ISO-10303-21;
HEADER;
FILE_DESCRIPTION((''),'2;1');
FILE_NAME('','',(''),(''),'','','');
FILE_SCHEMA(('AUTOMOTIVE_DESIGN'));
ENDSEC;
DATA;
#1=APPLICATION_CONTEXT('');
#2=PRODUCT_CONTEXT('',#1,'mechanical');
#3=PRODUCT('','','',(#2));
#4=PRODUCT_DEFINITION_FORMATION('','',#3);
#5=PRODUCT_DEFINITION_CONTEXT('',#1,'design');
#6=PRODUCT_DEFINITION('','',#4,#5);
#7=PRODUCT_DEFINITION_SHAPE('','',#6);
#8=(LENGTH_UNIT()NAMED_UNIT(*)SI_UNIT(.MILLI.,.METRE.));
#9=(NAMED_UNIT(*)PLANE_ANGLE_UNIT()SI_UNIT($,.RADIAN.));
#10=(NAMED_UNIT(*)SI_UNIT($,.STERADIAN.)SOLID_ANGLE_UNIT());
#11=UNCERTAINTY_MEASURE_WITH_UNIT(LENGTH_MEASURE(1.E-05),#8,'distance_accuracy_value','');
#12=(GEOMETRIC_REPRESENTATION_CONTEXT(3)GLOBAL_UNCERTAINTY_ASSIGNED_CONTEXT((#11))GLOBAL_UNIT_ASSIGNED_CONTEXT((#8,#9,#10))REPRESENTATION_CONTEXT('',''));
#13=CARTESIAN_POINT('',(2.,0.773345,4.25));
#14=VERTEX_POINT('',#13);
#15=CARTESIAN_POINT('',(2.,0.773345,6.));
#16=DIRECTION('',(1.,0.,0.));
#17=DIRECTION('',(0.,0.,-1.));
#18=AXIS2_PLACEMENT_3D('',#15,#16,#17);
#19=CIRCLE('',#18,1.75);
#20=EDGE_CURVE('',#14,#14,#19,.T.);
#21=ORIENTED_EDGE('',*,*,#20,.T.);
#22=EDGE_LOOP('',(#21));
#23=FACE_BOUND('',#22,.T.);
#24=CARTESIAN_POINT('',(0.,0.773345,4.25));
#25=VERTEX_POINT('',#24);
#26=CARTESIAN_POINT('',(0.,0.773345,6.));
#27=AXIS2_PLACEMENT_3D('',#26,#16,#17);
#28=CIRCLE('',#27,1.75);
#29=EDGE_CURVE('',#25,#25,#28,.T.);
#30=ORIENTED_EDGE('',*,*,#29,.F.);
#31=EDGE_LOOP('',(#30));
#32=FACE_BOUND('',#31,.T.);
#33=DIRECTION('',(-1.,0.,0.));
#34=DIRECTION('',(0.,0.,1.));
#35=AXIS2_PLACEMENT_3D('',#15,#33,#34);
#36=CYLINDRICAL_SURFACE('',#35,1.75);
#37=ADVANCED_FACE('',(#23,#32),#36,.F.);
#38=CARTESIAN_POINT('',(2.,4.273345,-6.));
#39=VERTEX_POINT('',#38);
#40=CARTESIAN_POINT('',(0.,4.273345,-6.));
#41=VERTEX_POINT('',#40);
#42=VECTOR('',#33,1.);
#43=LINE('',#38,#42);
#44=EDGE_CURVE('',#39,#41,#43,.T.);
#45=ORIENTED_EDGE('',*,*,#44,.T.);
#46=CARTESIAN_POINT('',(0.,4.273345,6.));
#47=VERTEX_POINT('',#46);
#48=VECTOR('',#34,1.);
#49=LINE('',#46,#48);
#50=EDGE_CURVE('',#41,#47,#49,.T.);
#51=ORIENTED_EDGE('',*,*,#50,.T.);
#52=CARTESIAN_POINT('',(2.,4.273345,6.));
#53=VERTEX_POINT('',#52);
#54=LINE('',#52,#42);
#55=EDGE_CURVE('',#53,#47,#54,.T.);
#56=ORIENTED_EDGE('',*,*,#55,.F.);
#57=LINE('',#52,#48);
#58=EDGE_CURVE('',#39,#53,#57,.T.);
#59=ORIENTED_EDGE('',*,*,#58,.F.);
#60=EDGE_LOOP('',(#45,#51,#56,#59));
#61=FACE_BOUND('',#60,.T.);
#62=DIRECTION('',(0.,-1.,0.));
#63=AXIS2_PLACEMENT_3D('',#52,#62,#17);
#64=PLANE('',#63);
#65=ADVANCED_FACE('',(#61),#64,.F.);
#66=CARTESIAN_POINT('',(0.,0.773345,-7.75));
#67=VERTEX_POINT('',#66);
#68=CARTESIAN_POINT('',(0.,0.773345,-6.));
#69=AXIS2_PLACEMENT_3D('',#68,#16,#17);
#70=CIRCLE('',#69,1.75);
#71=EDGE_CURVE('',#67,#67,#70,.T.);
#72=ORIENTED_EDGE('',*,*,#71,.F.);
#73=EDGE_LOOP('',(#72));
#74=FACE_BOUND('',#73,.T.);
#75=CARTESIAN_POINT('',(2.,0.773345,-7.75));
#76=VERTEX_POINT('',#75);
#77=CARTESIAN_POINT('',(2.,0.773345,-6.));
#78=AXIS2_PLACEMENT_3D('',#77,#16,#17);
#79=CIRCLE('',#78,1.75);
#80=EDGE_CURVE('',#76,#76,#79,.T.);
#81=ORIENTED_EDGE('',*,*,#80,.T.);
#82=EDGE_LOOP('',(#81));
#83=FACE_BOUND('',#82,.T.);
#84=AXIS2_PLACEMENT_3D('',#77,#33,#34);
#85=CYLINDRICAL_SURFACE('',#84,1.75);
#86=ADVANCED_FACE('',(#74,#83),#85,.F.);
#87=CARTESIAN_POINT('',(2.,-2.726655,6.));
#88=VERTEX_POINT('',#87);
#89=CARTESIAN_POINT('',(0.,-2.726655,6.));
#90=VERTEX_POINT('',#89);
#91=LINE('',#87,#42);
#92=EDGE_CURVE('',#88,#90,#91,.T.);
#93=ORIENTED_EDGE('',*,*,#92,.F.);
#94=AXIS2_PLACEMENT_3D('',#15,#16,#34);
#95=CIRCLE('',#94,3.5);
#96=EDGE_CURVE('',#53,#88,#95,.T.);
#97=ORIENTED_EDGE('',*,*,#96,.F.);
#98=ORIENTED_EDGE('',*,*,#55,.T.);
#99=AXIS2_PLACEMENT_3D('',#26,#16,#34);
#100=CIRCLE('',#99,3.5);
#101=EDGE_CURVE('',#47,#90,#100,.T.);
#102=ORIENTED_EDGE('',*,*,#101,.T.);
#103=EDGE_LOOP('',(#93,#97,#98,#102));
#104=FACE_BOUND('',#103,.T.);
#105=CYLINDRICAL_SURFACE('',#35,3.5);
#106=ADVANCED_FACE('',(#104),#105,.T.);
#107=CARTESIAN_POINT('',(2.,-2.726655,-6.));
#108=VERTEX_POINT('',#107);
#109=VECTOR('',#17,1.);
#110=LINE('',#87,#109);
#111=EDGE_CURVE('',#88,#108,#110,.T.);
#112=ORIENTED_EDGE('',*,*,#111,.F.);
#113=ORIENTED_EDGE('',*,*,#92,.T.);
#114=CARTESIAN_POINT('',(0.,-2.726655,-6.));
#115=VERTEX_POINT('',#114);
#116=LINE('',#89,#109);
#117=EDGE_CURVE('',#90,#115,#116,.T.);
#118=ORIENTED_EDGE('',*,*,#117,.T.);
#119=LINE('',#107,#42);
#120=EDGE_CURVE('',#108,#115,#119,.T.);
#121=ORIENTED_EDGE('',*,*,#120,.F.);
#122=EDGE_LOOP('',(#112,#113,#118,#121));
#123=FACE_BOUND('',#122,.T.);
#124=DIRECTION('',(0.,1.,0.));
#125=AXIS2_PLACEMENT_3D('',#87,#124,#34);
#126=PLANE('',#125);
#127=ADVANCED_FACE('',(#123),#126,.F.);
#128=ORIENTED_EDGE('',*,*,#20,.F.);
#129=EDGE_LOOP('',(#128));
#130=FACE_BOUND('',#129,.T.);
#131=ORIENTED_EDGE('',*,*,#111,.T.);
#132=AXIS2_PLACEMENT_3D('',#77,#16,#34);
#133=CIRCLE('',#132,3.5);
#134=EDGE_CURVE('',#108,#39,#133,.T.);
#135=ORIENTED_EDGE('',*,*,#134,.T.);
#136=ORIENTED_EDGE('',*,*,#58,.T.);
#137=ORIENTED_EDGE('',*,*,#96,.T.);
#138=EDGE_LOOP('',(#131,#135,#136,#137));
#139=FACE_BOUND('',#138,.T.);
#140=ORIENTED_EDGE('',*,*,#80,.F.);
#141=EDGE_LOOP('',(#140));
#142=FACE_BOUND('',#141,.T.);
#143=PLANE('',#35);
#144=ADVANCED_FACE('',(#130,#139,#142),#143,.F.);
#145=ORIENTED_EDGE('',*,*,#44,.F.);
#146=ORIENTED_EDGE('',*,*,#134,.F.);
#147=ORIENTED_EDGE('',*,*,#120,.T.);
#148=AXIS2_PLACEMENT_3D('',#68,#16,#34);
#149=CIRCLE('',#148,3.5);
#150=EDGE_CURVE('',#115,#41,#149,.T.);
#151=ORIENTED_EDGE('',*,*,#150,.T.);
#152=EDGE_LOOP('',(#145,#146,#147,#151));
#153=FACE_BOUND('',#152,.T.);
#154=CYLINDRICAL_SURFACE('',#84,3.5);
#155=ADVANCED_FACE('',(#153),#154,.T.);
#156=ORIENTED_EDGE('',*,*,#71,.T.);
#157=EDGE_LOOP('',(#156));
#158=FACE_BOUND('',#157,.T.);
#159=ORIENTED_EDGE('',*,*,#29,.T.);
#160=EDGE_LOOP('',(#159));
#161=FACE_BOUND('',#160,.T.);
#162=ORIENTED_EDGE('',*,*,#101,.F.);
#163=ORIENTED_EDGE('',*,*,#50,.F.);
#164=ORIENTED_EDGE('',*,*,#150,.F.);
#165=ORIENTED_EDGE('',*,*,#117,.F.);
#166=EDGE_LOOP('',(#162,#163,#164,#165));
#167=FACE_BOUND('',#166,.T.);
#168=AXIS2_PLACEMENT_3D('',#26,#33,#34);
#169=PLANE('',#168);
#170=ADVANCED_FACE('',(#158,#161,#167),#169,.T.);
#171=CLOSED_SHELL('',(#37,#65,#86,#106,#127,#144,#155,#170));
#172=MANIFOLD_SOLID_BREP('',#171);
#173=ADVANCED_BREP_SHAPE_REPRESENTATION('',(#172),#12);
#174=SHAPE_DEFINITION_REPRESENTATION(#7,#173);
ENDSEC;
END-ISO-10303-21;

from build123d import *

# Parameters (mm, degrees)
SKETCH1_R           = 1.75
BOSS_EXTRUDE1_DEPTH = 2


with BuildPart() as part:
    # Sketch1 → Boss-Extrude1 (new body)
    with BuildSketch(Plane(origin=(0, 0, 0), x_dir=(0, 0, -1), z_dir=(1, 0, 0))):
        with BuildLine():
            Line((-6, 4.273345061), (6, 4.273345061))
            ThreePointArc((6, 4.273345061), (9.5, 0.773345061), (6, -2.726654939))
            Line((6, -2.726654939), (-6, -2.726654939))
            ThreePointArc((-6, -2.726654939), (-9.5, 0.773345061), (-6, 4.273345061))
        make_face()
        with Locations((-6, 0.773345061)):
            Circle(SKETCH1_R, mode=Mode.SUBTRACT)
        with Locations((6, 0.773345061)):
            Circle(SKETCH1_R, mode=Mode.SUBTRACT)
    extrude(amount=BOSS_EXTRUDE1_DEPTH)


solid = part.part
